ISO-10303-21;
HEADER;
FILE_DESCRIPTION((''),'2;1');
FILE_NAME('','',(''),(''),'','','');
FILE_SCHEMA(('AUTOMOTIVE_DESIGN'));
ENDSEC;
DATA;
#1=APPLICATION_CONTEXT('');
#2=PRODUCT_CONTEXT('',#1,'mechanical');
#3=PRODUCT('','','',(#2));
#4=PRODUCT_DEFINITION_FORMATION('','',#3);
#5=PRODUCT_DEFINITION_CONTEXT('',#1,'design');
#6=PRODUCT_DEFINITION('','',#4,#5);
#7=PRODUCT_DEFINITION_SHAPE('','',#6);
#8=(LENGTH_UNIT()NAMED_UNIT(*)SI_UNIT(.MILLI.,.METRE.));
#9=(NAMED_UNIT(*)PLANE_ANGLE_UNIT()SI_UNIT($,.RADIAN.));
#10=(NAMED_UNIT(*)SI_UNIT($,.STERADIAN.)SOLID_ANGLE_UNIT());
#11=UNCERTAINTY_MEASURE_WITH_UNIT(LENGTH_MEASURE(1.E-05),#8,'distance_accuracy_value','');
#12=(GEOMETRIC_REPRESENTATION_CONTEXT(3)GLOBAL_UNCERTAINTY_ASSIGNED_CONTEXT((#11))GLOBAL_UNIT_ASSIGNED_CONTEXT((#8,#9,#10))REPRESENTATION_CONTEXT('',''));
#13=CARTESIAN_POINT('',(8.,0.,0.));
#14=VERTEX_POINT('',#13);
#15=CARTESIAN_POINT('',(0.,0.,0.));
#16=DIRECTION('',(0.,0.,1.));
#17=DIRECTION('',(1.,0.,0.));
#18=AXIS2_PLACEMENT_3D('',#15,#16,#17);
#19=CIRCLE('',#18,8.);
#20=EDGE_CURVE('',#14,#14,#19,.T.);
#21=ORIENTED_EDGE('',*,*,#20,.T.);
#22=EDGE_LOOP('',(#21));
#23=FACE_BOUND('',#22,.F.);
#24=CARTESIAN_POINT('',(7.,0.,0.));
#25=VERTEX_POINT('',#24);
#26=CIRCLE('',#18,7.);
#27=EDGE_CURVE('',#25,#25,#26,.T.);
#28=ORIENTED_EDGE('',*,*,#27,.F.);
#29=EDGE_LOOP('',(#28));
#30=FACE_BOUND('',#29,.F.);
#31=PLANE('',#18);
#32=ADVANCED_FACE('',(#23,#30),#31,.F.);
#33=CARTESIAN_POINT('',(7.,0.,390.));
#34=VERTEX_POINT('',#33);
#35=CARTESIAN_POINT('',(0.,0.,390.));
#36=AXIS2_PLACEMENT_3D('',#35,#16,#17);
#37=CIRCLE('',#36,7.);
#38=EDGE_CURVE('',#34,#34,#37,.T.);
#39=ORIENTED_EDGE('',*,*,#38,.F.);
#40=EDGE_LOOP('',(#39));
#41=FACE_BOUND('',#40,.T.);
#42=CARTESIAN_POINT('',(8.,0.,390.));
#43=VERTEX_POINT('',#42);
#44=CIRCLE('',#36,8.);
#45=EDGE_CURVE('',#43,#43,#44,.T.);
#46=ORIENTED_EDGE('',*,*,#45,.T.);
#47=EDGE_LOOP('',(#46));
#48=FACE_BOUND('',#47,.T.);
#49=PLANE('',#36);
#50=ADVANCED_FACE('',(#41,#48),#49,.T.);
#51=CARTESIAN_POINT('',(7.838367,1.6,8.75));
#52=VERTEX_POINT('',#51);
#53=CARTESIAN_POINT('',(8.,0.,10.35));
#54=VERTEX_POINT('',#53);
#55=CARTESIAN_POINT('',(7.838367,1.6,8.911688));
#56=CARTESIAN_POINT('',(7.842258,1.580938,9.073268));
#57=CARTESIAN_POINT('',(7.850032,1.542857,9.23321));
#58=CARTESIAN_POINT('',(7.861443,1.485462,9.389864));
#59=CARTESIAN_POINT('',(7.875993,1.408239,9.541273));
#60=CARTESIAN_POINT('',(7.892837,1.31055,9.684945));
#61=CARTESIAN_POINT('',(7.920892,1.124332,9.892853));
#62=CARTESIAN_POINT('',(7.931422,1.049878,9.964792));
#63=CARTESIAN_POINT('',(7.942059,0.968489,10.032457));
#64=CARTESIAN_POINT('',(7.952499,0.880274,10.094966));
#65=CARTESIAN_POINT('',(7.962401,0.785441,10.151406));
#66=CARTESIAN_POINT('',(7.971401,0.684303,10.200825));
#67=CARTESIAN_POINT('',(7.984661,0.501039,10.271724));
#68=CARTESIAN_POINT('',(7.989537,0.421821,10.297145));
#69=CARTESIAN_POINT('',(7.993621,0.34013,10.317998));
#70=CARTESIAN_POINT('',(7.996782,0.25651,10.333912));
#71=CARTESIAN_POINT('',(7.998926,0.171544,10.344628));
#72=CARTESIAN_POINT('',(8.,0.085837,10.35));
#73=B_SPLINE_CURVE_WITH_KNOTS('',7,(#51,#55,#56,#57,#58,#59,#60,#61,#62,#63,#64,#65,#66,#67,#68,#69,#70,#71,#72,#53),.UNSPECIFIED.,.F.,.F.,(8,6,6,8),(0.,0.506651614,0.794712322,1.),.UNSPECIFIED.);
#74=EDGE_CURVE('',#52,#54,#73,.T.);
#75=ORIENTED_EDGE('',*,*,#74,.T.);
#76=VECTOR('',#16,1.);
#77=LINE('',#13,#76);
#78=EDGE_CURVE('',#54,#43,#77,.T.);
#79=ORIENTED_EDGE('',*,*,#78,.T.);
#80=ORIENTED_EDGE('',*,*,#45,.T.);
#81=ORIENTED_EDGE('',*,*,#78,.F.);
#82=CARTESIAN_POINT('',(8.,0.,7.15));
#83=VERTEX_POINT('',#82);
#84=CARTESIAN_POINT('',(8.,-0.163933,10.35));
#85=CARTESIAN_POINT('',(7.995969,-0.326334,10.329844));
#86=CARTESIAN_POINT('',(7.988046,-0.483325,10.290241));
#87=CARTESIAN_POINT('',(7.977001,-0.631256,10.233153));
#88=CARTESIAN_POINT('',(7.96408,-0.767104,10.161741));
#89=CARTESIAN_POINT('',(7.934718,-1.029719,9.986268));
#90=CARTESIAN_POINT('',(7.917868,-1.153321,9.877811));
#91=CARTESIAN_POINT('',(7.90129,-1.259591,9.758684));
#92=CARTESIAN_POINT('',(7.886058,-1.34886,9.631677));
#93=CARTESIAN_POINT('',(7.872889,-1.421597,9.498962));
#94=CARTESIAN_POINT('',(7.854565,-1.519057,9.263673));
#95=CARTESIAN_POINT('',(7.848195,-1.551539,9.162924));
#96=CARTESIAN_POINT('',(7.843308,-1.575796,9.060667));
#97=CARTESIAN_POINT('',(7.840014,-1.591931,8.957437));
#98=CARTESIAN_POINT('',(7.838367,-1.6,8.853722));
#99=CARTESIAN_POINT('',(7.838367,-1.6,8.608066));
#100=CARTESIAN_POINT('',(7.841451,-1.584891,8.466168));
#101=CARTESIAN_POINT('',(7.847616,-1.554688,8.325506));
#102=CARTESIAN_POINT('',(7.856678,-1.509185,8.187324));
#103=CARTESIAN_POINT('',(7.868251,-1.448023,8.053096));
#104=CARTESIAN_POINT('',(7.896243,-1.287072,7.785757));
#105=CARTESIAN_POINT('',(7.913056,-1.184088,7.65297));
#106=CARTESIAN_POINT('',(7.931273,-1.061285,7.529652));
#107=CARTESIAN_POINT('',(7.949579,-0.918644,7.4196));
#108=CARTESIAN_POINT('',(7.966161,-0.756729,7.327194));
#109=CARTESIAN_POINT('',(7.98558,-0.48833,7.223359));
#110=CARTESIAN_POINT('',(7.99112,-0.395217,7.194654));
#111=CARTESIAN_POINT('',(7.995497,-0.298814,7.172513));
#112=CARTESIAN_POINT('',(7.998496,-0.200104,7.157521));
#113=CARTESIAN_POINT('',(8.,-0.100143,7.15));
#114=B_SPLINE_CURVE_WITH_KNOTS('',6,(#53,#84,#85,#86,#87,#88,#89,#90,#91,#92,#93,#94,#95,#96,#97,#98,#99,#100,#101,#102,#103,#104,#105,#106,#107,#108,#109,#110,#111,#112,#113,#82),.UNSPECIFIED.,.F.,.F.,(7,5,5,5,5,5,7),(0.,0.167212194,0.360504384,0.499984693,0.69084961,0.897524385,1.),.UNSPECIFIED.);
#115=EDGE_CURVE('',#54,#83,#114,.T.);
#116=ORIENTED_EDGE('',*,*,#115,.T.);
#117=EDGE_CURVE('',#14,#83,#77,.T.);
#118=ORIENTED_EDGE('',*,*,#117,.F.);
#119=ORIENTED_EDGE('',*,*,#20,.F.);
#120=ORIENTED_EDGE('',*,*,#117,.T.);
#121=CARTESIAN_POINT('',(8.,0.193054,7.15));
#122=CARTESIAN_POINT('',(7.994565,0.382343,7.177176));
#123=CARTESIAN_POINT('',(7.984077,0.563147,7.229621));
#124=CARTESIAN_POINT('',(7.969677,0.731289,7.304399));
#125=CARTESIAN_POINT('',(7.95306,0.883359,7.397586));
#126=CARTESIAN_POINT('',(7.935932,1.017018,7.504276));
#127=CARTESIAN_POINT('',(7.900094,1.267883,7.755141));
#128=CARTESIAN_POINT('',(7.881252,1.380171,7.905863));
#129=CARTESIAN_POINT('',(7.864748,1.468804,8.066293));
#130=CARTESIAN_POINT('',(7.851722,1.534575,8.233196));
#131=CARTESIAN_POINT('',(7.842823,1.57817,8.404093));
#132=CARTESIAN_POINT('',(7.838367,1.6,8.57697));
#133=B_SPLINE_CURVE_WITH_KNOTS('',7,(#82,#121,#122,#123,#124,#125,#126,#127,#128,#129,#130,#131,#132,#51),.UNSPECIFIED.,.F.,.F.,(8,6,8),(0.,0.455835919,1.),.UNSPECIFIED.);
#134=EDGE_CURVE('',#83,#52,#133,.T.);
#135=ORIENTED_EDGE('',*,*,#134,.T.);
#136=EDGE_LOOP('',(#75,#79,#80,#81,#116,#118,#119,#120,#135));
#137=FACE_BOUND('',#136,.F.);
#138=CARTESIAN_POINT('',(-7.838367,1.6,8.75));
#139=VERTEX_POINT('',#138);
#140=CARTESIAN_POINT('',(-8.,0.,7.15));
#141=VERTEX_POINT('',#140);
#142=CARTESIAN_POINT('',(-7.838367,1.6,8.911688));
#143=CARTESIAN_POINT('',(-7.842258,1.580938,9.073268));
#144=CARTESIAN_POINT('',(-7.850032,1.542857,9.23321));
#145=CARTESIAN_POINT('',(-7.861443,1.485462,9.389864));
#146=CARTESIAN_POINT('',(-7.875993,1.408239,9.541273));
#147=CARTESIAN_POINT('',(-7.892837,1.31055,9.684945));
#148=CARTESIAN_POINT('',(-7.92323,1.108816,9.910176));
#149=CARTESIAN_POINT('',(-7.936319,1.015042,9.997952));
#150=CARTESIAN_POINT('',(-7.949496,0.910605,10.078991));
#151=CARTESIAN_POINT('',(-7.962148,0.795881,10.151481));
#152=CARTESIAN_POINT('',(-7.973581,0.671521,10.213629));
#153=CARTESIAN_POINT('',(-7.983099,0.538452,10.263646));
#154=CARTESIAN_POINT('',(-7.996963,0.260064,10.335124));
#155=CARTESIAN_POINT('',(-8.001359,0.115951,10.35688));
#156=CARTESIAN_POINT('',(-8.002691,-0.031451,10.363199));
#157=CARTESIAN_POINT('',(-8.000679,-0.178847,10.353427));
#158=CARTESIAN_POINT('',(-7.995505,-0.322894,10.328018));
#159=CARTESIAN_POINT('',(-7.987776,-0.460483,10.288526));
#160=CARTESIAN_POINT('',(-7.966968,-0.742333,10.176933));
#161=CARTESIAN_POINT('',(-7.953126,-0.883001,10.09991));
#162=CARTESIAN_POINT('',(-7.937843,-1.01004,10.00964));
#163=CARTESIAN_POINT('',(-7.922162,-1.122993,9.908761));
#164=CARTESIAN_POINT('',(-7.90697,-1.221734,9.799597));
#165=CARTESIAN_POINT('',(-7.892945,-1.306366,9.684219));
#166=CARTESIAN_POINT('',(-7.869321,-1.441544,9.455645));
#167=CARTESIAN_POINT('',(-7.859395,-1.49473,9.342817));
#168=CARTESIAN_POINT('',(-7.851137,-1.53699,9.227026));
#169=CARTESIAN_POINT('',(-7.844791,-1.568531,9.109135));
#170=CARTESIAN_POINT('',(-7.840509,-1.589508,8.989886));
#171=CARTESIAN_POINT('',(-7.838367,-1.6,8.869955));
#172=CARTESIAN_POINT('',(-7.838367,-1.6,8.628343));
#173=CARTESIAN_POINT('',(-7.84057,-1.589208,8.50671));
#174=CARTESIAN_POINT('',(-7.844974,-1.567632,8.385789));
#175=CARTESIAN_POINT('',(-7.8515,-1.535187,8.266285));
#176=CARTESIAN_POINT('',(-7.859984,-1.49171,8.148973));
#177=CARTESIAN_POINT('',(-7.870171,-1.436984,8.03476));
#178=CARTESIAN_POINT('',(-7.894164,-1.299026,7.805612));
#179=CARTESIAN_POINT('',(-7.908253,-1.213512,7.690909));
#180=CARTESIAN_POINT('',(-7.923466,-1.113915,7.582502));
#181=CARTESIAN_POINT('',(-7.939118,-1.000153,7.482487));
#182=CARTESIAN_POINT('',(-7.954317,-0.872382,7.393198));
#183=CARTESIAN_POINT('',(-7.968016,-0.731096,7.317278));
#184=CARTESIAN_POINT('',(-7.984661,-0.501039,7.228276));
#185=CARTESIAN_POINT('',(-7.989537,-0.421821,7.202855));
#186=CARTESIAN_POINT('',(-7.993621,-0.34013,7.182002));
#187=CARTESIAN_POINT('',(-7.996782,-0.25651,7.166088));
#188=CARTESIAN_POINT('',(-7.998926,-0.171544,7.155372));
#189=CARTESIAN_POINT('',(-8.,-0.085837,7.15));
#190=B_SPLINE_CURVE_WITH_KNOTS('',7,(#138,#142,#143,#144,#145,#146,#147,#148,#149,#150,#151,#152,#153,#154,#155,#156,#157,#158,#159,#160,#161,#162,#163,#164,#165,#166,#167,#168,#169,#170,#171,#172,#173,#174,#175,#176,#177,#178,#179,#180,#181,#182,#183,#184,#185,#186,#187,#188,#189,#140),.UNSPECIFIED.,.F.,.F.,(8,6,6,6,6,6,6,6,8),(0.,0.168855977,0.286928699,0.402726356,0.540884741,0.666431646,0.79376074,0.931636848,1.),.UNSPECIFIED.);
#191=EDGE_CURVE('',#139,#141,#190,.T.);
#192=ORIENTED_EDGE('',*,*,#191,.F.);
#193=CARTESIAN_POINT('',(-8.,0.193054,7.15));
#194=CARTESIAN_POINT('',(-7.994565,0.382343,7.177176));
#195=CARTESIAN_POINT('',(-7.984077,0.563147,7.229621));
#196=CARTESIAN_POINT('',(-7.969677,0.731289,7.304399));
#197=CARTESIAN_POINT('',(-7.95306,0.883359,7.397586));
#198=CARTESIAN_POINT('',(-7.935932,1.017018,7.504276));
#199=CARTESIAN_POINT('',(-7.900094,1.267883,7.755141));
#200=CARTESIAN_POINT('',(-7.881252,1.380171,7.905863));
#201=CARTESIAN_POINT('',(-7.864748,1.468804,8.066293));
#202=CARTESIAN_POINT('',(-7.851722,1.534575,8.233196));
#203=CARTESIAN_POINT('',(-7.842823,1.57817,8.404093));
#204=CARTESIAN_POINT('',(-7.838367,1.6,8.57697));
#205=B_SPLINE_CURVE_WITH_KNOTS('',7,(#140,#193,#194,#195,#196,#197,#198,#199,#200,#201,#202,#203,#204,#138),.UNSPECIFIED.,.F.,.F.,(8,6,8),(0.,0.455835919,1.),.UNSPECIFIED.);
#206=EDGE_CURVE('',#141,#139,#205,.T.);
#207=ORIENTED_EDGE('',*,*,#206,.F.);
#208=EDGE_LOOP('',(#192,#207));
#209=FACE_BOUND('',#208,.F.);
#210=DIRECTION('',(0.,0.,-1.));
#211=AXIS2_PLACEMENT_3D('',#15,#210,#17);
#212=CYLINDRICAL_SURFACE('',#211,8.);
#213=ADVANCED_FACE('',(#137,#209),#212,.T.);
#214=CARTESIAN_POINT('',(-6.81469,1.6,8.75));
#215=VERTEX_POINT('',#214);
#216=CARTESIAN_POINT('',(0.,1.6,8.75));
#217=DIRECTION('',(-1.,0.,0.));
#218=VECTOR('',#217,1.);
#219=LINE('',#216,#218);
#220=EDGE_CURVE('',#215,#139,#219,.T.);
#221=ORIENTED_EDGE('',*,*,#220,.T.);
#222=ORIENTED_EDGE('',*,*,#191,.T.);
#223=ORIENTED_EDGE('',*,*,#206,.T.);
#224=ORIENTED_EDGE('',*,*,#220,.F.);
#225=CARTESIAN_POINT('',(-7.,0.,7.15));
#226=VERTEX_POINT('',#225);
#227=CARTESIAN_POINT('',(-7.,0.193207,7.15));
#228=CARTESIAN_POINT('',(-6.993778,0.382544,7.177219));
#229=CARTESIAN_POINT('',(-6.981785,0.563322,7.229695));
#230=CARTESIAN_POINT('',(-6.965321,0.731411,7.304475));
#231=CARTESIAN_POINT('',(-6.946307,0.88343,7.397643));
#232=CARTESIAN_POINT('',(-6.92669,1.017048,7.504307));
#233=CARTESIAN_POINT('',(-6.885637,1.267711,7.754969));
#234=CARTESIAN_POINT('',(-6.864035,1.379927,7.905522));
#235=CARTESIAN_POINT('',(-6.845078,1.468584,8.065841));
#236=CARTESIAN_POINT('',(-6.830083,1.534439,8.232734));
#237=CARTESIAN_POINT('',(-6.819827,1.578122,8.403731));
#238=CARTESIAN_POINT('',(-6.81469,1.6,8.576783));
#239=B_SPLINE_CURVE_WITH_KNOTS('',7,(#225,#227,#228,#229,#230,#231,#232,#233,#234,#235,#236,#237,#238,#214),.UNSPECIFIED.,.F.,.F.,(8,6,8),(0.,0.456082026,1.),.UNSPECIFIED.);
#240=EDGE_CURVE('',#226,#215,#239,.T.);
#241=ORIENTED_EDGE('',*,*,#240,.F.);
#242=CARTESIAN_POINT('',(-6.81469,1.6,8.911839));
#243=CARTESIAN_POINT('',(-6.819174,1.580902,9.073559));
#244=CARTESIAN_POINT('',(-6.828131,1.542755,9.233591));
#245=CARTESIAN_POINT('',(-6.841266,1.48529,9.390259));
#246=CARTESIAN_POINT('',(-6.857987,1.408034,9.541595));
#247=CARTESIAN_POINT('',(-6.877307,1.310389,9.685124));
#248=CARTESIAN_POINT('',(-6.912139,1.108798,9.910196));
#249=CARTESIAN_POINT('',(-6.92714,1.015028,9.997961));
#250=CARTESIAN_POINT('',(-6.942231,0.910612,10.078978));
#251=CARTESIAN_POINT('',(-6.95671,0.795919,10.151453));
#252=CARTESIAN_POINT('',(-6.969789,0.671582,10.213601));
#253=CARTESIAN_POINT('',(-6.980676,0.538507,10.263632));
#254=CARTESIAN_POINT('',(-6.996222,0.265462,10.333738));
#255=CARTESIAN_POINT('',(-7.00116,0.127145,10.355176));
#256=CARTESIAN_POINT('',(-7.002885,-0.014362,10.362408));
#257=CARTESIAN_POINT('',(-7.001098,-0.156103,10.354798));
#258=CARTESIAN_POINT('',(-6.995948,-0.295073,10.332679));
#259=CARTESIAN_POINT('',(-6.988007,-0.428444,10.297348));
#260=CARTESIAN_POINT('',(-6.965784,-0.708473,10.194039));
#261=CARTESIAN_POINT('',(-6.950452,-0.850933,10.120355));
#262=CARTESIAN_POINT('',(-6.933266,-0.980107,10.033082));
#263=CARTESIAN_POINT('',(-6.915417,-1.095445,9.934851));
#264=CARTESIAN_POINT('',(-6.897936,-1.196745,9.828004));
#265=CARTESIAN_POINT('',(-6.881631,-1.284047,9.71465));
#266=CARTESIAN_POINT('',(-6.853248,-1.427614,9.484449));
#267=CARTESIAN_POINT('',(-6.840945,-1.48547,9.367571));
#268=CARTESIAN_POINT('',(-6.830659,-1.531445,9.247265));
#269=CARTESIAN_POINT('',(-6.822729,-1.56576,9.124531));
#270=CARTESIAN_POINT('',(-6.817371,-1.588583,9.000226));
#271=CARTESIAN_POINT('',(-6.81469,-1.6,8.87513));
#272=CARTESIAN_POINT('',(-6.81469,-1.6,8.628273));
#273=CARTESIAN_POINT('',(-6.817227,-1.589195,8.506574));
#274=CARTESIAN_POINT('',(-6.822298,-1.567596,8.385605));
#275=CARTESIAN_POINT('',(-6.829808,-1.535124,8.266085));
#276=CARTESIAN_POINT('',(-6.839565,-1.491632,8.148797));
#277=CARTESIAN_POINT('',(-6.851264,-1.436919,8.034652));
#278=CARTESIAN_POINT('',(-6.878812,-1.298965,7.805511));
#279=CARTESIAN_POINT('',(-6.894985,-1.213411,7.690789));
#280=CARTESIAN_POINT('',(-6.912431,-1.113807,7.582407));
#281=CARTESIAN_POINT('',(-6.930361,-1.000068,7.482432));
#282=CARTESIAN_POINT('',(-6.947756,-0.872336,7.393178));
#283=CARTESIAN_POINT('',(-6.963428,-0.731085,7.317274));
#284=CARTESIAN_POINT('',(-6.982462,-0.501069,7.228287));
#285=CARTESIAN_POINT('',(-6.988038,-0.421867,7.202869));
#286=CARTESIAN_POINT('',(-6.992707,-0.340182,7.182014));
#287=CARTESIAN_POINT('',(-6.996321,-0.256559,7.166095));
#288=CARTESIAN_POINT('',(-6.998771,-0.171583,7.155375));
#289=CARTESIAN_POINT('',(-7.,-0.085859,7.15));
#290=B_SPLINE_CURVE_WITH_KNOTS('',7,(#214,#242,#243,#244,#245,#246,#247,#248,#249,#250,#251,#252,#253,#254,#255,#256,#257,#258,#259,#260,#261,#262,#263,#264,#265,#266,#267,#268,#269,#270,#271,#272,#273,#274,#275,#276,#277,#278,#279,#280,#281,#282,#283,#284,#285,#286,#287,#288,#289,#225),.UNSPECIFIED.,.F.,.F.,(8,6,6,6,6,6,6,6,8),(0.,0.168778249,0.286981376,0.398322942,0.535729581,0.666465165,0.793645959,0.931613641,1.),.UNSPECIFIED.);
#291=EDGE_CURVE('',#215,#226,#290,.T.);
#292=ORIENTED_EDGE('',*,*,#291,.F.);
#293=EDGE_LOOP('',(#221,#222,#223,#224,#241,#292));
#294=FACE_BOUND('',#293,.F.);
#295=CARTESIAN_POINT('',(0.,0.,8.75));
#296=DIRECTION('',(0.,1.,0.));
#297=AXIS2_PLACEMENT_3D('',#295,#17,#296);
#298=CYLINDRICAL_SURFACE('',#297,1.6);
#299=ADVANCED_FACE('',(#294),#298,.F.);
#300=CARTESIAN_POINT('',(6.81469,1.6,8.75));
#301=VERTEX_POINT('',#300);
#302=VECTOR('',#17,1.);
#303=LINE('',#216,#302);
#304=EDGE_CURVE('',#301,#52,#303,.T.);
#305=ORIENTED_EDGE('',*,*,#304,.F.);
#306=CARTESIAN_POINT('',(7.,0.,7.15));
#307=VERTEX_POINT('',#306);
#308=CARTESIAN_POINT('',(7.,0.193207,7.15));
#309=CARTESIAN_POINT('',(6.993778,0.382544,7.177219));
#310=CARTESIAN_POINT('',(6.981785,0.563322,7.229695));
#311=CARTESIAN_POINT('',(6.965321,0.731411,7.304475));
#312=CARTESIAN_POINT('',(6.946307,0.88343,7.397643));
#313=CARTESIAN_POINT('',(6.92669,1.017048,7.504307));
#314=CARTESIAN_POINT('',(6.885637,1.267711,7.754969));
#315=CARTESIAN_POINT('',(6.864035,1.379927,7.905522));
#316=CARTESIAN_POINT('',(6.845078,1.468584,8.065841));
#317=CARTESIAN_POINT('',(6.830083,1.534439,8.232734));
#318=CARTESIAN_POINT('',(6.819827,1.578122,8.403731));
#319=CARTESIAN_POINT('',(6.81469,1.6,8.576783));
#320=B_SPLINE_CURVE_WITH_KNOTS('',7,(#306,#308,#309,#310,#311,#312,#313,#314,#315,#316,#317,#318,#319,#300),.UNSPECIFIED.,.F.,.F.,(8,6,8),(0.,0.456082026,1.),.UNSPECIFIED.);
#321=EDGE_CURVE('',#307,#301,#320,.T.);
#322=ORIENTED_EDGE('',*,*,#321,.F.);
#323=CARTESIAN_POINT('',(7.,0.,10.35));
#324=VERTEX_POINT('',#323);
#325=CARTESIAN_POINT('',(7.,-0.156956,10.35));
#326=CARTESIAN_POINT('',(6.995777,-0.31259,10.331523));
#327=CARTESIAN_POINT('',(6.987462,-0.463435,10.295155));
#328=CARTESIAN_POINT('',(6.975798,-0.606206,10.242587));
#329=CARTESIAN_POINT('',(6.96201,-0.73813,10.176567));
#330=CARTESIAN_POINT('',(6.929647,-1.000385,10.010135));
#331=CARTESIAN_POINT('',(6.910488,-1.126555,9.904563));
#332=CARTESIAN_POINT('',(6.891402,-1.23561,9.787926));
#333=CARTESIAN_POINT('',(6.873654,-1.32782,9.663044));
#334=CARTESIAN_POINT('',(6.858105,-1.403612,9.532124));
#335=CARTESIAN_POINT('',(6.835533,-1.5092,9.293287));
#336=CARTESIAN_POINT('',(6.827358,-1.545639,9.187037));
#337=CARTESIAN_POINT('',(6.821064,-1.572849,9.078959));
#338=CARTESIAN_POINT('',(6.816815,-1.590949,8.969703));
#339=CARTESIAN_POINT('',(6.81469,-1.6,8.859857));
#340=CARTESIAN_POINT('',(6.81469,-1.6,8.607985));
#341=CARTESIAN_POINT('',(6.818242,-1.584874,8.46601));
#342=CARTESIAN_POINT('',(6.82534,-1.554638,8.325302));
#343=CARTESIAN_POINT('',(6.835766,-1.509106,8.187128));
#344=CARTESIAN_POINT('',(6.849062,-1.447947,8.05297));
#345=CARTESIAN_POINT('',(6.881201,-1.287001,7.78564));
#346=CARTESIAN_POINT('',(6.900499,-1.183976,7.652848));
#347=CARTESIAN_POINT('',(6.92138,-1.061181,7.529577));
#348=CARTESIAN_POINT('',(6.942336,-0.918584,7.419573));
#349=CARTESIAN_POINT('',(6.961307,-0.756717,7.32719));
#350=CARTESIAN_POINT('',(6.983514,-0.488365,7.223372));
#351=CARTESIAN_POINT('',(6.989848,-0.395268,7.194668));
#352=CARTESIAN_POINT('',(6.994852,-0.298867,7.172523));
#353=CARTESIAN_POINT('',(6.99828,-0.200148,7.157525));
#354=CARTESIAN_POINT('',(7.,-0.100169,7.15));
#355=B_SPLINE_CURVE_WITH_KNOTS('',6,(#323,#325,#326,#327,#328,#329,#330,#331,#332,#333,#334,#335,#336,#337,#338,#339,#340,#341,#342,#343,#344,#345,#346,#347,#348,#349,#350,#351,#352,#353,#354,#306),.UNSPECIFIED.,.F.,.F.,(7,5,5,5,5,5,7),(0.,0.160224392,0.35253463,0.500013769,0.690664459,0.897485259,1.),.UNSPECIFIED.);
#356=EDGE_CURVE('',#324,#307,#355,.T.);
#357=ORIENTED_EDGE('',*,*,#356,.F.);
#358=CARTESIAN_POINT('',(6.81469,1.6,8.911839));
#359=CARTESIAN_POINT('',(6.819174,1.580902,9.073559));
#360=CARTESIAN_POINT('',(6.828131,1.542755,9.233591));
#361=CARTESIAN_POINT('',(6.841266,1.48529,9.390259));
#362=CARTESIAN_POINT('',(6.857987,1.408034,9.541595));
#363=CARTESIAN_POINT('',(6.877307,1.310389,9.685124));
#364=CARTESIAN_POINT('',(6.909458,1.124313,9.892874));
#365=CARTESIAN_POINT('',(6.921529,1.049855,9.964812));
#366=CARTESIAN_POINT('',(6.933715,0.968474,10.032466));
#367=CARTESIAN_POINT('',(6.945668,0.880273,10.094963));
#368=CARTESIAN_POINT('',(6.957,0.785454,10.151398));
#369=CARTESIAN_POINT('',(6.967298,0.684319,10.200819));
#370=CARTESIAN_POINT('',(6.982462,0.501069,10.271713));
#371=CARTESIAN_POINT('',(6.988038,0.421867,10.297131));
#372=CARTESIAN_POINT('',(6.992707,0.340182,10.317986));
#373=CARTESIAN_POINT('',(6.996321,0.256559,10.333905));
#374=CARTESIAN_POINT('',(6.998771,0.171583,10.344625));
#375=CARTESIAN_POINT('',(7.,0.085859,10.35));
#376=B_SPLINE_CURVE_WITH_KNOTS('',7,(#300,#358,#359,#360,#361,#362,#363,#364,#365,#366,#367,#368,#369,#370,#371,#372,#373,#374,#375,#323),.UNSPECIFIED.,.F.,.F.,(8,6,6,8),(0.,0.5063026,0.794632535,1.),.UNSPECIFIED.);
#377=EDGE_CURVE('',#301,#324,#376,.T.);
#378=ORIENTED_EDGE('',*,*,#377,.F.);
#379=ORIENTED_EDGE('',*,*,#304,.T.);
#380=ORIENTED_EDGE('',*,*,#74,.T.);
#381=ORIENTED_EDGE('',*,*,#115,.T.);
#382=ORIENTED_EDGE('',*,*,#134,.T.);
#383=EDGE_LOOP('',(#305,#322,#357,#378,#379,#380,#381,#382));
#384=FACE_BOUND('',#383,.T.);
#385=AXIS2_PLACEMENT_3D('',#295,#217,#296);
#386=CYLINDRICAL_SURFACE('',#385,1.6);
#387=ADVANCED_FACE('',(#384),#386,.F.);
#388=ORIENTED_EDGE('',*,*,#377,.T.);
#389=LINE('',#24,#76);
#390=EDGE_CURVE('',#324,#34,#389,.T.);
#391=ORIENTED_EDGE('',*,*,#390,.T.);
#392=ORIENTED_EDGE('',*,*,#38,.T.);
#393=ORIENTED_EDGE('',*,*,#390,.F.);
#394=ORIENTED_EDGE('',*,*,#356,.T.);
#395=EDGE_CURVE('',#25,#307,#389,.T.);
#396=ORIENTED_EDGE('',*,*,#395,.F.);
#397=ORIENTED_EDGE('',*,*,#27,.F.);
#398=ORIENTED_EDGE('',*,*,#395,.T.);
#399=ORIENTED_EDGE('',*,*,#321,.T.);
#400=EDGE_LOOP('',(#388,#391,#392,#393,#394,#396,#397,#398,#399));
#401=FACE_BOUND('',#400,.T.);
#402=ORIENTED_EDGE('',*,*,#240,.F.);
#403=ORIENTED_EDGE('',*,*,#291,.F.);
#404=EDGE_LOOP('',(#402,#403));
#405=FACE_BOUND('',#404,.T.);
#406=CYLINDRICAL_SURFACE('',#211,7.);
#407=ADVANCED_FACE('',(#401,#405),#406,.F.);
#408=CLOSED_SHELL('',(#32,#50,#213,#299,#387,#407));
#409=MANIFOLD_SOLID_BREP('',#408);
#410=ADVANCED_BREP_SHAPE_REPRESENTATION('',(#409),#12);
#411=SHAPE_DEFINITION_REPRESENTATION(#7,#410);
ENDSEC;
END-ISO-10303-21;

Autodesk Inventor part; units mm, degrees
ref_plane "YZ Plane" through (0, 0, 0) normal (1, 0, 0) x (0, 1, 0)
ref_plane "XZ Plane" through (0, 0, 0) normal (0, 1, 0) x (-1, 0, 0)
ref_plane "XY Plane" through (0, 0, 0) normal (0, 0, 1) x (1, 0, 0)
sketch "Sketch1" plane through (0, 0, 0) normal (0, 0, 1) x (1, 0, 0)
  circle A0 centre (0, 0) radius 8
  circle A1 centre (0, 0) radius 7
  dimension "d0" = 16
  dimension "d1" = 14
extrude "Extrusion1" add sketch "Sketch1" along normal blind 390
sketch "Sketch2" plane through (0, 0, 0) normal (1, 0, 0) x (0, 1, 0)
  line L0 (0, 0) -> (0, 8.75)
  circle A0 centre (0, 8.75) radius 1.6
  dimension "d4" = 8.75
  dimension "d5" = 3.2
extrude "Extrusion2" cut sketch "Sketch2" along normal through all both and the other way through all
equation "\"MountToMotorCenter\" = 0"
equation "\"ArmPosition\" = 5deg"
equation "\"BatteryWidth\" = 62"
equation "\"BatteryHeight\" = 76"
equation "\"ThicknessBodyOuterPlate\" = 2"
equation "\"ThicknessBodyCenterPlate\" = 2"
equation "\"ThicknessLegLoadpipePlate\" = 2"
equation "\"ThicknessBatteryTray\" = 2"
equation "\"ThicknessBatteryTopTray\" = 1"
equation "\"LandingGearStabilityBar\" = 525"
equation "\"StartAngleArm\" = 45deg"
equation "\"MotorMountCenter\" = 71.5"
properties part number "Landing_Gear_Rod" material "CFRP"
